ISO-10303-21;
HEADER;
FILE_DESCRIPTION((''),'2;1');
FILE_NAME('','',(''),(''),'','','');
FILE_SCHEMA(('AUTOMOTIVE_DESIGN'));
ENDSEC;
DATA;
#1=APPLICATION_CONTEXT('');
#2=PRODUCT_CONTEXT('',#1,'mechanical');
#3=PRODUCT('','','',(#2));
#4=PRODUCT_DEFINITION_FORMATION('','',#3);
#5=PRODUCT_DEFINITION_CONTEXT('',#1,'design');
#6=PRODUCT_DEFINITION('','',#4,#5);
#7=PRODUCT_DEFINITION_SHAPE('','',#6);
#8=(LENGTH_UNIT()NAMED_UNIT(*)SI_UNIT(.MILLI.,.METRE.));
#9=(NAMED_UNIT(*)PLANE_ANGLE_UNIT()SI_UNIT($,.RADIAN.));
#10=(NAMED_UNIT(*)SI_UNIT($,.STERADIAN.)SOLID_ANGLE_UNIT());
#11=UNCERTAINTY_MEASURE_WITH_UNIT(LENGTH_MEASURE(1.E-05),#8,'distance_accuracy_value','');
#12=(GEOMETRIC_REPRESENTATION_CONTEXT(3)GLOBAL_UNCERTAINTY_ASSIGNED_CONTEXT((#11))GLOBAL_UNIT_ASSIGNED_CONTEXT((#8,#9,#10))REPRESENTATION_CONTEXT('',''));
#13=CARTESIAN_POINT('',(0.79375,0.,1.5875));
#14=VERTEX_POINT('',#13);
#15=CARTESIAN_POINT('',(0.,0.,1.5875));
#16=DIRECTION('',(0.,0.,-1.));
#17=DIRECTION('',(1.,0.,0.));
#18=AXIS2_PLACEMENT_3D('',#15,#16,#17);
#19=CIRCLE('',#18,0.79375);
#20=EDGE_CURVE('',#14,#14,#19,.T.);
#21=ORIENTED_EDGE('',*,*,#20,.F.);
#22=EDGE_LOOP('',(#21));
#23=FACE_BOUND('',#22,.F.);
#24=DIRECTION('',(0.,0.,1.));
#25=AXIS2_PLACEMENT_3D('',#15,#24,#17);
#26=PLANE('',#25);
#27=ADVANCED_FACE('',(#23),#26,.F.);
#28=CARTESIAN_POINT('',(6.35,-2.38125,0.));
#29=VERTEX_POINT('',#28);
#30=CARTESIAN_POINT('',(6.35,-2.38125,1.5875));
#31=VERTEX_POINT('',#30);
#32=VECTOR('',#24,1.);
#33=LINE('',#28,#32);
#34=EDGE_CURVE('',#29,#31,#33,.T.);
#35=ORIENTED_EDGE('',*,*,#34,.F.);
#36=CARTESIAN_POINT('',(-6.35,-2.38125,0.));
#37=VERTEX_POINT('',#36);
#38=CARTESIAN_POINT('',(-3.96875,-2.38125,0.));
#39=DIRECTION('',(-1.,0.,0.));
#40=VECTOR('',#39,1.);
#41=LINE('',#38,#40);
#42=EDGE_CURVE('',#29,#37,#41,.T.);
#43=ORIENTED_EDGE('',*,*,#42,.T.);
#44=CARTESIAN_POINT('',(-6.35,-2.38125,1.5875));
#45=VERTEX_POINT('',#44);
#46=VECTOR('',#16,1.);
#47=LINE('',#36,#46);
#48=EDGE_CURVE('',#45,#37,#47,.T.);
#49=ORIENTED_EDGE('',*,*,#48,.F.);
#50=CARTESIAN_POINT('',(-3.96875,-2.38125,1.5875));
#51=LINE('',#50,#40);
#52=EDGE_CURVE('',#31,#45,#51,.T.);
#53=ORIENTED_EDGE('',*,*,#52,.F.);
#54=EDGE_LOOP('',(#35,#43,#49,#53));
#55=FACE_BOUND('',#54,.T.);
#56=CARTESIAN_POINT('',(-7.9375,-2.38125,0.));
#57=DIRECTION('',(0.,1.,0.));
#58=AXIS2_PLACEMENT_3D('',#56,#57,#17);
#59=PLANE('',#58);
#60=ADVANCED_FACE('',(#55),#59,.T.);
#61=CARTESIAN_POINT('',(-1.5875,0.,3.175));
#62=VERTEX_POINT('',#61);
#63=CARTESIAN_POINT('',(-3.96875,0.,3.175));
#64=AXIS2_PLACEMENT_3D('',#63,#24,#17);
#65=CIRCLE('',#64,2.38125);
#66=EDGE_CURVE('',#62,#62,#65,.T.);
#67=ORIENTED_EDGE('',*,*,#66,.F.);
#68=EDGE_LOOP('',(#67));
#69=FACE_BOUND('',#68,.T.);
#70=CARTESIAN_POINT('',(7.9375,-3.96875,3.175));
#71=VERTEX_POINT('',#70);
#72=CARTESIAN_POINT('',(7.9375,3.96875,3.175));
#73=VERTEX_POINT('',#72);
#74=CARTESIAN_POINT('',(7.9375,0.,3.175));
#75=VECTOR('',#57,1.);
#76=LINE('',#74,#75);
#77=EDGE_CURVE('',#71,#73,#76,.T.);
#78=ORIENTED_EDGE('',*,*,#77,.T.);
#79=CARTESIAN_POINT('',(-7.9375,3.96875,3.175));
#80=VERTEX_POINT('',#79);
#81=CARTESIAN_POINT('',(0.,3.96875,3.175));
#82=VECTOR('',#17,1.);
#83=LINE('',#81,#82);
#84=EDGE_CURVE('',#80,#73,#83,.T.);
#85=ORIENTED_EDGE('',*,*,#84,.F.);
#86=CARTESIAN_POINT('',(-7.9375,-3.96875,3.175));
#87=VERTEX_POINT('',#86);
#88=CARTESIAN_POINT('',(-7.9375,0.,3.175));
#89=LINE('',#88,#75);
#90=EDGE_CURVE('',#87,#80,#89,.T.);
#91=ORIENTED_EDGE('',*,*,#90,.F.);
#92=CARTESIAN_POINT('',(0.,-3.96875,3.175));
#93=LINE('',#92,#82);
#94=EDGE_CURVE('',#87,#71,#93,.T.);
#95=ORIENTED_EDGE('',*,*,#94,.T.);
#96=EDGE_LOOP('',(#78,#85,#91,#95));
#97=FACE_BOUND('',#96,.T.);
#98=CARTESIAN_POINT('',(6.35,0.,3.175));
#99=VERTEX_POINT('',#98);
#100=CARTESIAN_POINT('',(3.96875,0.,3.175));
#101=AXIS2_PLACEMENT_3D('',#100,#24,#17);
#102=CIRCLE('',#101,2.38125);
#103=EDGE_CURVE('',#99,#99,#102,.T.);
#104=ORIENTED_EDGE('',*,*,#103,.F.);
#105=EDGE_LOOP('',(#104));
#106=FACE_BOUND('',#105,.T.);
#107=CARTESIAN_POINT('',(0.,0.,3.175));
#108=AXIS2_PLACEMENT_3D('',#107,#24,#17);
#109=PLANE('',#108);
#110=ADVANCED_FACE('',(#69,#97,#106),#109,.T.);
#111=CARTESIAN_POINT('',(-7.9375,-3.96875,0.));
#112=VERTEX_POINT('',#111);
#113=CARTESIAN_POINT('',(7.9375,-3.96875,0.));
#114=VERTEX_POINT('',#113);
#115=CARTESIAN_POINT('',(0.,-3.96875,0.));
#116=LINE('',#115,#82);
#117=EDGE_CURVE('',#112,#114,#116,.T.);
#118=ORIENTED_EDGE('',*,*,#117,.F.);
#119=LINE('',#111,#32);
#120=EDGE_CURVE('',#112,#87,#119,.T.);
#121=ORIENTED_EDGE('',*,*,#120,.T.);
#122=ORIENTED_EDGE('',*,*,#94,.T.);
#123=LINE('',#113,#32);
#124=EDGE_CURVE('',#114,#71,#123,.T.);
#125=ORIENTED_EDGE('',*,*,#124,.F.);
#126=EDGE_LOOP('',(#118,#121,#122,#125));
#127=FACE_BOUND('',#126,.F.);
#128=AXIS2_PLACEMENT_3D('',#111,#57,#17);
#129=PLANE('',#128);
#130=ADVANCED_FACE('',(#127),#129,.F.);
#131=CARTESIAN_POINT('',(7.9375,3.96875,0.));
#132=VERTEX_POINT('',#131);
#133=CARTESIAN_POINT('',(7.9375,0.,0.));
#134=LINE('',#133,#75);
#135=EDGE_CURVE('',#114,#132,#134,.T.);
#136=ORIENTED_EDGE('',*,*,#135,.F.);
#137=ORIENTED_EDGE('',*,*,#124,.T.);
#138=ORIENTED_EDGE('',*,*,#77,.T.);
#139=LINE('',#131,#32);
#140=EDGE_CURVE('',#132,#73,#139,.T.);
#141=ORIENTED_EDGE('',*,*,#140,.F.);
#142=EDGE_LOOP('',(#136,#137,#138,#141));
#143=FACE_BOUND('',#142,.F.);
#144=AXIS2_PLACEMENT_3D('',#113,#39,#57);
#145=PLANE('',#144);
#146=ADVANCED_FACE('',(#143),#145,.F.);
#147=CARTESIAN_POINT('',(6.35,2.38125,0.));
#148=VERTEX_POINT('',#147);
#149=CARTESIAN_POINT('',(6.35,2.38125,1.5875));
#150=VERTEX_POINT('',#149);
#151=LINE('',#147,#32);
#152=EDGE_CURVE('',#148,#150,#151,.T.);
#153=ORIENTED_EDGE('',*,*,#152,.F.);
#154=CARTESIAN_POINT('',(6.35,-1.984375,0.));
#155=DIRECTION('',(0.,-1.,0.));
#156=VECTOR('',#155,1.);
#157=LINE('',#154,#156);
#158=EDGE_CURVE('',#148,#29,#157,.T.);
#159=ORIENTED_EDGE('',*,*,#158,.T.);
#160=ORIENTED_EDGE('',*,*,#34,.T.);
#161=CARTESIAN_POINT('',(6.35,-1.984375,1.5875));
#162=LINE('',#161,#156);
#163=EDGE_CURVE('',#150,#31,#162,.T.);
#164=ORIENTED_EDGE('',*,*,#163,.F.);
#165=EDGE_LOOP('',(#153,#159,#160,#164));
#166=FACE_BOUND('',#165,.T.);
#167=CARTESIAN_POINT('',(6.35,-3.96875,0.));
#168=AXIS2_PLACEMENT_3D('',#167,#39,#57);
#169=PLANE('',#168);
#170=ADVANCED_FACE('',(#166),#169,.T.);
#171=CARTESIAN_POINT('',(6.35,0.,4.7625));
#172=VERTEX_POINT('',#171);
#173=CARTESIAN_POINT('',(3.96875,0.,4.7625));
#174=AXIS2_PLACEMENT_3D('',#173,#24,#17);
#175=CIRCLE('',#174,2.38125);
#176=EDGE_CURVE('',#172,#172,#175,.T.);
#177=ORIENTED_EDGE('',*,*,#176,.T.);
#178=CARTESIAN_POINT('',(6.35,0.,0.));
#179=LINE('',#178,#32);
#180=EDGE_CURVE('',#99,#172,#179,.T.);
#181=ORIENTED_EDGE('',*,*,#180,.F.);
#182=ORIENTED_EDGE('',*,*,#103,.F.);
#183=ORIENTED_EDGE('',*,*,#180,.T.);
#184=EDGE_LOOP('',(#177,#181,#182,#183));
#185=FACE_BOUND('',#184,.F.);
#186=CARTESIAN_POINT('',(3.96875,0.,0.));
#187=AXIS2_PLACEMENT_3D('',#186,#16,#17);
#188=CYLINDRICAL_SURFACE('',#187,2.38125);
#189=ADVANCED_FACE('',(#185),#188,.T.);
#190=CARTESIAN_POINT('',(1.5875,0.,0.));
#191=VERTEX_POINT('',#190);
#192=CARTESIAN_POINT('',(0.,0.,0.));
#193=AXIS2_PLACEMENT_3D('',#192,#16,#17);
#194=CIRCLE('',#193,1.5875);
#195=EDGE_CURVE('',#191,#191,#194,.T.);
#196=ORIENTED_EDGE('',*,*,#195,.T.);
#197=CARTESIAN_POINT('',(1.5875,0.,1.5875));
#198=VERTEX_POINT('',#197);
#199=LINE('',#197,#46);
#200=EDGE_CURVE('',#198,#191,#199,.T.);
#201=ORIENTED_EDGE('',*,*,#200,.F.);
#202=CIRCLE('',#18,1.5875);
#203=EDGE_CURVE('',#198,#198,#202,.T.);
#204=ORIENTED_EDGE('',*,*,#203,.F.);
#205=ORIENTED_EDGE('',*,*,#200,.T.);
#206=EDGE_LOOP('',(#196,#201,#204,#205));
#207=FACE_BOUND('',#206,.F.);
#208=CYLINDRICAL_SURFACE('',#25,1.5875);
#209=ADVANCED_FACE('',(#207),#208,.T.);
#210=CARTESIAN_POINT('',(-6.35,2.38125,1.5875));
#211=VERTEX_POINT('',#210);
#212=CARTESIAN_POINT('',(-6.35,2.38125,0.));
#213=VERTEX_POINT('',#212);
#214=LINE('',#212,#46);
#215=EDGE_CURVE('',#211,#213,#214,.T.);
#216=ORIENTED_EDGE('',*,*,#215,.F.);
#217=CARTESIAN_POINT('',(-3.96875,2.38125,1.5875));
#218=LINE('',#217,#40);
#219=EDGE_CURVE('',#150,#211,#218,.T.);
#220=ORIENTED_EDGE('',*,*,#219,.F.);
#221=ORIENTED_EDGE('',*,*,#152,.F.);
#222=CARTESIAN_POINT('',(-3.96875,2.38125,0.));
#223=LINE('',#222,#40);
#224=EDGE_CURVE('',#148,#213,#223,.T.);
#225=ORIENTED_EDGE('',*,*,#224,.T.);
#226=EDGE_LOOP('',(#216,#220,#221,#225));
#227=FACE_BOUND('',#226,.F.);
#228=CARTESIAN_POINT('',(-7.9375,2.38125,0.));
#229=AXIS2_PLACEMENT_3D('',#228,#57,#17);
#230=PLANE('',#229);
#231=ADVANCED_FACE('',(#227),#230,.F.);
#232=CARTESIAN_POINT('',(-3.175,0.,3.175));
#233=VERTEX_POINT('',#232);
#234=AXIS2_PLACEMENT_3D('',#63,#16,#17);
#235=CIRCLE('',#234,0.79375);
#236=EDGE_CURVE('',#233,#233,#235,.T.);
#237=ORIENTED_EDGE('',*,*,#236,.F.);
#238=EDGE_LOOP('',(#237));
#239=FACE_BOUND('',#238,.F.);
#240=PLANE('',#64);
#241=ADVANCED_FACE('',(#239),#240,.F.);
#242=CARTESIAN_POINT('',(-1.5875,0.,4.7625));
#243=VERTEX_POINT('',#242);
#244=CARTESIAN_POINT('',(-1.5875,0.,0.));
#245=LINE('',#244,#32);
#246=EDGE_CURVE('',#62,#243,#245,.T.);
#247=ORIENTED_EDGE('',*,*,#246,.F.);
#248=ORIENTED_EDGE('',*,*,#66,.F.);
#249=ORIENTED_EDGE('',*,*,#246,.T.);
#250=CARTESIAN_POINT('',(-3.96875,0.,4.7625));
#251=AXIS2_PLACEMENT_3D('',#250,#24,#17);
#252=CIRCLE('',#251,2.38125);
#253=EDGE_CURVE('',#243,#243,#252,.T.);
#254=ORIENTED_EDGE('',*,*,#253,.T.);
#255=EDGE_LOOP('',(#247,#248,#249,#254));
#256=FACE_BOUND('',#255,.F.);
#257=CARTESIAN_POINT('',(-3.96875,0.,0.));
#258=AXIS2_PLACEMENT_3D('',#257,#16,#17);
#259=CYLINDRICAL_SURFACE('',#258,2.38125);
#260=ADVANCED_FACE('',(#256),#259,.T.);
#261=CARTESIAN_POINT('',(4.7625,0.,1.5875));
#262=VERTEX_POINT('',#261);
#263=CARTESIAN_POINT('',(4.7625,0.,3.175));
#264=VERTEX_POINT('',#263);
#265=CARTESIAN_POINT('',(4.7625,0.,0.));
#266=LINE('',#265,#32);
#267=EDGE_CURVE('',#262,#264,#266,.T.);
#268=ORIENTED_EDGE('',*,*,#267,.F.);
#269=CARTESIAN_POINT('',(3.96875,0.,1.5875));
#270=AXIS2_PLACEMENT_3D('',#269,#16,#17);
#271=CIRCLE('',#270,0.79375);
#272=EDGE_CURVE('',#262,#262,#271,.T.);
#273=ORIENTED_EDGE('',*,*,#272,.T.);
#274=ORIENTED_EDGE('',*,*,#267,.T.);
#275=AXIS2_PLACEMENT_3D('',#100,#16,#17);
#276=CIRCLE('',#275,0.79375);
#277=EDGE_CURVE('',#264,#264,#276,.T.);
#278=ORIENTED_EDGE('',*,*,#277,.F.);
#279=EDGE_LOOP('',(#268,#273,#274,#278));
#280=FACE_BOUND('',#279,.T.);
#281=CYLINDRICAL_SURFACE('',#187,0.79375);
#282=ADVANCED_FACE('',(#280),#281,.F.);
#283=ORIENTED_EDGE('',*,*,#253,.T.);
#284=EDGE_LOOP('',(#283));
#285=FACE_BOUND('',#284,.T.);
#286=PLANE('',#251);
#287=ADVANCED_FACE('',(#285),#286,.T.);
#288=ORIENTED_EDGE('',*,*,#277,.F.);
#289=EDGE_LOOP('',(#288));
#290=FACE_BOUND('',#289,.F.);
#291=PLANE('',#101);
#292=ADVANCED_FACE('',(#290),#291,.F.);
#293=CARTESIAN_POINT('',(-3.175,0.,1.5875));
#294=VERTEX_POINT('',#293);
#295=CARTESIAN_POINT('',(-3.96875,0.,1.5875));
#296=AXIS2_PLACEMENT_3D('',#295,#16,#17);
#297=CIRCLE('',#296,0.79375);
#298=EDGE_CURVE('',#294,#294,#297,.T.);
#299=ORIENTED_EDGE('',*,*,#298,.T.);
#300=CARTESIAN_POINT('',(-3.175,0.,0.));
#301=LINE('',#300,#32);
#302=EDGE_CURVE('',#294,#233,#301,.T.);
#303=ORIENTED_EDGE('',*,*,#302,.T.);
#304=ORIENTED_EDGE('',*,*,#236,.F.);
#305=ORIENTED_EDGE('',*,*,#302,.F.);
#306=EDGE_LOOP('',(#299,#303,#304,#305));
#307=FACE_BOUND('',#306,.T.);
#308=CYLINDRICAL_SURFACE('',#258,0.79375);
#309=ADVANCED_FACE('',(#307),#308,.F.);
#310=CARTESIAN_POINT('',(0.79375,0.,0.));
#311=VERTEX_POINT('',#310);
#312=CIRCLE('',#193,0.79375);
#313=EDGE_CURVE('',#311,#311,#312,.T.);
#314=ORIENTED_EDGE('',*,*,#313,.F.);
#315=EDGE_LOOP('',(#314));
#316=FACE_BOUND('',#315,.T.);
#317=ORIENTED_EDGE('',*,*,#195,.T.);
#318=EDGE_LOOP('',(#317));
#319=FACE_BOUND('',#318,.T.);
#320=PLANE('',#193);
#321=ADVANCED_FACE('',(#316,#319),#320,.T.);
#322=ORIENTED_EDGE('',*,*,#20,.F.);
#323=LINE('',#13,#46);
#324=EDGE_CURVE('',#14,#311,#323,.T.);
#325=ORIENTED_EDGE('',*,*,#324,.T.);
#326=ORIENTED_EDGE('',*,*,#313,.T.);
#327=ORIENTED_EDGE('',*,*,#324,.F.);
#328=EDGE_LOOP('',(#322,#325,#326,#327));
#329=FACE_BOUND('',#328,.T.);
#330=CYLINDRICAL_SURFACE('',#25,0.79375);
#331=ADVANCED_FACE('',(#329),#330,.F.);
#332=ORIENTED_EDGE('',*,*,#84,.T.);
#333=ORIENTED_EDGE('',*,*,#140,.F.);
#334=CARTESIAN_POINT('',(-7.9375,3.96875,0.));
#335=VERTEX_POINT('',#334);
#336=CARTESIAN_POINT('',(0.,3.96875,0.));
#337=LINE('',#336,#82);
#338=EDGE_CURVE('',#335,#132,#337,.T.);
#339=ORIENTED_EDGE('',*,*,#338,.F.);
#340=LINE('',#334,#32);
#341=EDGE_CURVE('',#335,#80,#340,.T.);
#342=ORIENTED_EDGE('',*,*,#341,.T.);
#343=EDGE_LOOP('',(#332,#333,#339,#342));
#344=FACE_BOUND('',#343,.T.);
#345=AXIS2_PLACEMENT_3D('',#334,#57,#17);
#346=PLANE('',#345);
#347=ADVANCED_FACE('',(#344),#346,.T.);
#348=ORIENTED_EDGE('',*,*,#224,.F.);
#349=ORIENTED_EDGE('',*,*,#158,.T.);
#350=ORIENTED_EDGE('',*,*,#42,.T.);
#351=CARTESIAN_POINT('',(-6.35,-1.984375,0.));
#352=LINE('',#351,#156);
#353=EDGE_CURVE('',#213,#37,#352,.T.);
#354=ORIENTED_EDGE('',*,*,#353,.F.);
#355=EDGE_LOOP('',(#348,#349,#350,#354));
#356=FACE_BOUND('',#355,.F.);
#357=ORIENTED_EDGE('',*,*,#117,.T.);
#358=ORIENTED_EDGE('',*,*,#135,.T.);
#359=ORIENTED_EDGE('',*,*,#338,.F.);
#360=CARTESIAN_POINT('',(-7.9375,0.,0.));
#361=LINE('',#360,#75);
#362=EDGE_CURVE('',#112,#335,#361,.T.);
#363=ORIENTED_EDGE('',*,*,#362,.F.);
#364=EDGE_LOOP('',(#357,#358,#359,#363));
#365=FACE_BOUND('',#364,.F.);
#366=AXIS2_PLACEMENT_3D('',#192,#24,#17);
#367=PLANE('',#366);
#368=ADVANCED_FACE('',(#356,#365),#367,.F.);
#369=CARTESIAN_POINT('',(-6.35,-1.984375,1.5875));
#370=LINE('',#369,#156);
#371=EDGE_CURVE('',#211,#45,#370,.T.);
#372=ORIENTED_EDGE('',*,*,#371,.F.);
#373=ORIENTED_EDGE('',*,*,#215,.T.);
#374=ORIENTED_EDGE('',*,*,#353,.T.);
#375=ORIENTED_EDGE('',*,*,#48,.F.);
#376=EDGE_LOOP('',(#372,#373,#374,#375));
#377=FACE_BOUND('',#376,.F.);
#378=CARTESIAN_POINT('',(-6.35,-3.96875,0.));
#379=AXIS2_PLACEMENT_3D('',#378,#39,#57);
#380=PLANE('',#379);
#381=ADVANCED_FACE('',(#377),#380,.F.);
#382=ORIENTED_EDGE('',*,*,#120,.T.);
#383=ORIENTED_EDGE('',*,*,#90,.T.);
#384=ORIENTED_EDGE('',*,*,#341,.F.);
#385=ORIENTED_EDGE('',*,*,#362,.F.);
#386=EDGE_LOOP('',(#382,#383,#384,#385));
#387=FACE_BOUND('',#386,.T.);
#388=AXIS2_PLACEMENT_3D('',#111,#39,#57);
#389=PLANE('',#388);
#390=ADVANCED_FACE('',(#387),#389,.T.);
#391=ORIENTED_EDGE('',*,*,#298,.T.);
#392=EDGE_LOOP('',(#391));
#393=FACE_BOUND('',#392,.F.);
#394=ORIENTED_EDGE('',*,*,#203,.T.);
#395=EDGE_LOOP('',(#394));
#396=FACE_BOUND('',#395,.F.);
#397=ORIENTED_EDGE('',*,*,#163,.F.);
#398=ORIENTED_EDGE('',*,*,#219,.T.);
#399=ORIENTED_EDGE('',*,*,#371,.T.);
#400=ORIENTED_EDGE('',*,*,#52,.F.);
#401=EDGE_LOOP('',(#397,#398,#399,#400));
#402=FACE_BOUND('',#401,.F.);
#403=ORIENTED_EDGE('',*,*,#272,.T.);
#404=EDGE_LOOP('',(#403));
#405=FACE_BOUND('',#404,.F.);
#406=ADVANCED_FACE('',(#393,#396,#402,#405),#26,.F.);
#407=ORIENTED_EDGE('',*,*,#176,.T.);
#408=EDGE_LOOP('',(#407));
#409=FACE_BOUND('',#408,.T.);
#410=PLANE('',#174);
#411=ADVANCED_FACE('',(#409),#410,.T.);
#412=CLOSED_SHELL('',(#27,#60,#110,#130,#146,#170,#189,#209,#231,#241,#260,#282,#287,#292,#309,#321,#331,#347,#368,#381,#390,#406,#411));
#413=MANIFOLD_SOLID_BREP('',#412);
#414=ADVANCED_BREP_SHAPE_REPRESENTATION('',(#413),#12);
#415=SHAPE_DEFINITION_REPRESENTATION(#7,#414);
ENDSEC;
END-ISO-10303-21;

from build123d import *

# Parameters (mm, degrees)
F0_W     = 15.875
F0_H     = 7.9375
F0_R     = 2.38125
F1_DEPTH = 3.175
F2_DEPTH = 4.7625
F3_T     = -1.5875
F4_R     = 1.5875
F4_R_2   = 0.79375
F5_DEPTH = 1.5875


with BuildPart() as f1:
    # F0 (on Top) → F1 (new body)
    with BuildSketch(Plane.XY):
        Rectangle(F0_W, F0_H)
        with Locations((-3.96875, 0)):
            Circle(F0_R, mode=Mode.SUBTRACT)
        with Locations((3.96875, 0)):
            Circle(F0_R, mode=Mode.SUBTRACT)
    extrude(amount=F1_DEPTH)

    # F0 (on Top) → F2 (join)
    with BuildSketch(Plane.XY):
        with Locations((3.96875, 0)):
            Circle(F0_R)
        with Locations((-3.96875, 0)):
            Circle(F0_R)
    extrude(amount=F2_DEPTH)

    # F3
    f3_openings = [f1.faces().sort_by_distance(p)[0] for p in [
        (0, 0, 0),
    ]]
    offset(amount=F3_T, openings=f3_openings, kind=Kind.INTERSECTION)

    # F4 (on face) → F5 (join)
    with BuildSketch(Plane(origin=(0, 0, 1.5875), x_dir=(1, 0, 0), z_dir=(0, 0, -1))):
        Circle(F4_R)
        Circle(F4_R_2, mode=Mode.SUBTRACT)
    extrude(amount=F5_DEPTH)


solid = f1.part
